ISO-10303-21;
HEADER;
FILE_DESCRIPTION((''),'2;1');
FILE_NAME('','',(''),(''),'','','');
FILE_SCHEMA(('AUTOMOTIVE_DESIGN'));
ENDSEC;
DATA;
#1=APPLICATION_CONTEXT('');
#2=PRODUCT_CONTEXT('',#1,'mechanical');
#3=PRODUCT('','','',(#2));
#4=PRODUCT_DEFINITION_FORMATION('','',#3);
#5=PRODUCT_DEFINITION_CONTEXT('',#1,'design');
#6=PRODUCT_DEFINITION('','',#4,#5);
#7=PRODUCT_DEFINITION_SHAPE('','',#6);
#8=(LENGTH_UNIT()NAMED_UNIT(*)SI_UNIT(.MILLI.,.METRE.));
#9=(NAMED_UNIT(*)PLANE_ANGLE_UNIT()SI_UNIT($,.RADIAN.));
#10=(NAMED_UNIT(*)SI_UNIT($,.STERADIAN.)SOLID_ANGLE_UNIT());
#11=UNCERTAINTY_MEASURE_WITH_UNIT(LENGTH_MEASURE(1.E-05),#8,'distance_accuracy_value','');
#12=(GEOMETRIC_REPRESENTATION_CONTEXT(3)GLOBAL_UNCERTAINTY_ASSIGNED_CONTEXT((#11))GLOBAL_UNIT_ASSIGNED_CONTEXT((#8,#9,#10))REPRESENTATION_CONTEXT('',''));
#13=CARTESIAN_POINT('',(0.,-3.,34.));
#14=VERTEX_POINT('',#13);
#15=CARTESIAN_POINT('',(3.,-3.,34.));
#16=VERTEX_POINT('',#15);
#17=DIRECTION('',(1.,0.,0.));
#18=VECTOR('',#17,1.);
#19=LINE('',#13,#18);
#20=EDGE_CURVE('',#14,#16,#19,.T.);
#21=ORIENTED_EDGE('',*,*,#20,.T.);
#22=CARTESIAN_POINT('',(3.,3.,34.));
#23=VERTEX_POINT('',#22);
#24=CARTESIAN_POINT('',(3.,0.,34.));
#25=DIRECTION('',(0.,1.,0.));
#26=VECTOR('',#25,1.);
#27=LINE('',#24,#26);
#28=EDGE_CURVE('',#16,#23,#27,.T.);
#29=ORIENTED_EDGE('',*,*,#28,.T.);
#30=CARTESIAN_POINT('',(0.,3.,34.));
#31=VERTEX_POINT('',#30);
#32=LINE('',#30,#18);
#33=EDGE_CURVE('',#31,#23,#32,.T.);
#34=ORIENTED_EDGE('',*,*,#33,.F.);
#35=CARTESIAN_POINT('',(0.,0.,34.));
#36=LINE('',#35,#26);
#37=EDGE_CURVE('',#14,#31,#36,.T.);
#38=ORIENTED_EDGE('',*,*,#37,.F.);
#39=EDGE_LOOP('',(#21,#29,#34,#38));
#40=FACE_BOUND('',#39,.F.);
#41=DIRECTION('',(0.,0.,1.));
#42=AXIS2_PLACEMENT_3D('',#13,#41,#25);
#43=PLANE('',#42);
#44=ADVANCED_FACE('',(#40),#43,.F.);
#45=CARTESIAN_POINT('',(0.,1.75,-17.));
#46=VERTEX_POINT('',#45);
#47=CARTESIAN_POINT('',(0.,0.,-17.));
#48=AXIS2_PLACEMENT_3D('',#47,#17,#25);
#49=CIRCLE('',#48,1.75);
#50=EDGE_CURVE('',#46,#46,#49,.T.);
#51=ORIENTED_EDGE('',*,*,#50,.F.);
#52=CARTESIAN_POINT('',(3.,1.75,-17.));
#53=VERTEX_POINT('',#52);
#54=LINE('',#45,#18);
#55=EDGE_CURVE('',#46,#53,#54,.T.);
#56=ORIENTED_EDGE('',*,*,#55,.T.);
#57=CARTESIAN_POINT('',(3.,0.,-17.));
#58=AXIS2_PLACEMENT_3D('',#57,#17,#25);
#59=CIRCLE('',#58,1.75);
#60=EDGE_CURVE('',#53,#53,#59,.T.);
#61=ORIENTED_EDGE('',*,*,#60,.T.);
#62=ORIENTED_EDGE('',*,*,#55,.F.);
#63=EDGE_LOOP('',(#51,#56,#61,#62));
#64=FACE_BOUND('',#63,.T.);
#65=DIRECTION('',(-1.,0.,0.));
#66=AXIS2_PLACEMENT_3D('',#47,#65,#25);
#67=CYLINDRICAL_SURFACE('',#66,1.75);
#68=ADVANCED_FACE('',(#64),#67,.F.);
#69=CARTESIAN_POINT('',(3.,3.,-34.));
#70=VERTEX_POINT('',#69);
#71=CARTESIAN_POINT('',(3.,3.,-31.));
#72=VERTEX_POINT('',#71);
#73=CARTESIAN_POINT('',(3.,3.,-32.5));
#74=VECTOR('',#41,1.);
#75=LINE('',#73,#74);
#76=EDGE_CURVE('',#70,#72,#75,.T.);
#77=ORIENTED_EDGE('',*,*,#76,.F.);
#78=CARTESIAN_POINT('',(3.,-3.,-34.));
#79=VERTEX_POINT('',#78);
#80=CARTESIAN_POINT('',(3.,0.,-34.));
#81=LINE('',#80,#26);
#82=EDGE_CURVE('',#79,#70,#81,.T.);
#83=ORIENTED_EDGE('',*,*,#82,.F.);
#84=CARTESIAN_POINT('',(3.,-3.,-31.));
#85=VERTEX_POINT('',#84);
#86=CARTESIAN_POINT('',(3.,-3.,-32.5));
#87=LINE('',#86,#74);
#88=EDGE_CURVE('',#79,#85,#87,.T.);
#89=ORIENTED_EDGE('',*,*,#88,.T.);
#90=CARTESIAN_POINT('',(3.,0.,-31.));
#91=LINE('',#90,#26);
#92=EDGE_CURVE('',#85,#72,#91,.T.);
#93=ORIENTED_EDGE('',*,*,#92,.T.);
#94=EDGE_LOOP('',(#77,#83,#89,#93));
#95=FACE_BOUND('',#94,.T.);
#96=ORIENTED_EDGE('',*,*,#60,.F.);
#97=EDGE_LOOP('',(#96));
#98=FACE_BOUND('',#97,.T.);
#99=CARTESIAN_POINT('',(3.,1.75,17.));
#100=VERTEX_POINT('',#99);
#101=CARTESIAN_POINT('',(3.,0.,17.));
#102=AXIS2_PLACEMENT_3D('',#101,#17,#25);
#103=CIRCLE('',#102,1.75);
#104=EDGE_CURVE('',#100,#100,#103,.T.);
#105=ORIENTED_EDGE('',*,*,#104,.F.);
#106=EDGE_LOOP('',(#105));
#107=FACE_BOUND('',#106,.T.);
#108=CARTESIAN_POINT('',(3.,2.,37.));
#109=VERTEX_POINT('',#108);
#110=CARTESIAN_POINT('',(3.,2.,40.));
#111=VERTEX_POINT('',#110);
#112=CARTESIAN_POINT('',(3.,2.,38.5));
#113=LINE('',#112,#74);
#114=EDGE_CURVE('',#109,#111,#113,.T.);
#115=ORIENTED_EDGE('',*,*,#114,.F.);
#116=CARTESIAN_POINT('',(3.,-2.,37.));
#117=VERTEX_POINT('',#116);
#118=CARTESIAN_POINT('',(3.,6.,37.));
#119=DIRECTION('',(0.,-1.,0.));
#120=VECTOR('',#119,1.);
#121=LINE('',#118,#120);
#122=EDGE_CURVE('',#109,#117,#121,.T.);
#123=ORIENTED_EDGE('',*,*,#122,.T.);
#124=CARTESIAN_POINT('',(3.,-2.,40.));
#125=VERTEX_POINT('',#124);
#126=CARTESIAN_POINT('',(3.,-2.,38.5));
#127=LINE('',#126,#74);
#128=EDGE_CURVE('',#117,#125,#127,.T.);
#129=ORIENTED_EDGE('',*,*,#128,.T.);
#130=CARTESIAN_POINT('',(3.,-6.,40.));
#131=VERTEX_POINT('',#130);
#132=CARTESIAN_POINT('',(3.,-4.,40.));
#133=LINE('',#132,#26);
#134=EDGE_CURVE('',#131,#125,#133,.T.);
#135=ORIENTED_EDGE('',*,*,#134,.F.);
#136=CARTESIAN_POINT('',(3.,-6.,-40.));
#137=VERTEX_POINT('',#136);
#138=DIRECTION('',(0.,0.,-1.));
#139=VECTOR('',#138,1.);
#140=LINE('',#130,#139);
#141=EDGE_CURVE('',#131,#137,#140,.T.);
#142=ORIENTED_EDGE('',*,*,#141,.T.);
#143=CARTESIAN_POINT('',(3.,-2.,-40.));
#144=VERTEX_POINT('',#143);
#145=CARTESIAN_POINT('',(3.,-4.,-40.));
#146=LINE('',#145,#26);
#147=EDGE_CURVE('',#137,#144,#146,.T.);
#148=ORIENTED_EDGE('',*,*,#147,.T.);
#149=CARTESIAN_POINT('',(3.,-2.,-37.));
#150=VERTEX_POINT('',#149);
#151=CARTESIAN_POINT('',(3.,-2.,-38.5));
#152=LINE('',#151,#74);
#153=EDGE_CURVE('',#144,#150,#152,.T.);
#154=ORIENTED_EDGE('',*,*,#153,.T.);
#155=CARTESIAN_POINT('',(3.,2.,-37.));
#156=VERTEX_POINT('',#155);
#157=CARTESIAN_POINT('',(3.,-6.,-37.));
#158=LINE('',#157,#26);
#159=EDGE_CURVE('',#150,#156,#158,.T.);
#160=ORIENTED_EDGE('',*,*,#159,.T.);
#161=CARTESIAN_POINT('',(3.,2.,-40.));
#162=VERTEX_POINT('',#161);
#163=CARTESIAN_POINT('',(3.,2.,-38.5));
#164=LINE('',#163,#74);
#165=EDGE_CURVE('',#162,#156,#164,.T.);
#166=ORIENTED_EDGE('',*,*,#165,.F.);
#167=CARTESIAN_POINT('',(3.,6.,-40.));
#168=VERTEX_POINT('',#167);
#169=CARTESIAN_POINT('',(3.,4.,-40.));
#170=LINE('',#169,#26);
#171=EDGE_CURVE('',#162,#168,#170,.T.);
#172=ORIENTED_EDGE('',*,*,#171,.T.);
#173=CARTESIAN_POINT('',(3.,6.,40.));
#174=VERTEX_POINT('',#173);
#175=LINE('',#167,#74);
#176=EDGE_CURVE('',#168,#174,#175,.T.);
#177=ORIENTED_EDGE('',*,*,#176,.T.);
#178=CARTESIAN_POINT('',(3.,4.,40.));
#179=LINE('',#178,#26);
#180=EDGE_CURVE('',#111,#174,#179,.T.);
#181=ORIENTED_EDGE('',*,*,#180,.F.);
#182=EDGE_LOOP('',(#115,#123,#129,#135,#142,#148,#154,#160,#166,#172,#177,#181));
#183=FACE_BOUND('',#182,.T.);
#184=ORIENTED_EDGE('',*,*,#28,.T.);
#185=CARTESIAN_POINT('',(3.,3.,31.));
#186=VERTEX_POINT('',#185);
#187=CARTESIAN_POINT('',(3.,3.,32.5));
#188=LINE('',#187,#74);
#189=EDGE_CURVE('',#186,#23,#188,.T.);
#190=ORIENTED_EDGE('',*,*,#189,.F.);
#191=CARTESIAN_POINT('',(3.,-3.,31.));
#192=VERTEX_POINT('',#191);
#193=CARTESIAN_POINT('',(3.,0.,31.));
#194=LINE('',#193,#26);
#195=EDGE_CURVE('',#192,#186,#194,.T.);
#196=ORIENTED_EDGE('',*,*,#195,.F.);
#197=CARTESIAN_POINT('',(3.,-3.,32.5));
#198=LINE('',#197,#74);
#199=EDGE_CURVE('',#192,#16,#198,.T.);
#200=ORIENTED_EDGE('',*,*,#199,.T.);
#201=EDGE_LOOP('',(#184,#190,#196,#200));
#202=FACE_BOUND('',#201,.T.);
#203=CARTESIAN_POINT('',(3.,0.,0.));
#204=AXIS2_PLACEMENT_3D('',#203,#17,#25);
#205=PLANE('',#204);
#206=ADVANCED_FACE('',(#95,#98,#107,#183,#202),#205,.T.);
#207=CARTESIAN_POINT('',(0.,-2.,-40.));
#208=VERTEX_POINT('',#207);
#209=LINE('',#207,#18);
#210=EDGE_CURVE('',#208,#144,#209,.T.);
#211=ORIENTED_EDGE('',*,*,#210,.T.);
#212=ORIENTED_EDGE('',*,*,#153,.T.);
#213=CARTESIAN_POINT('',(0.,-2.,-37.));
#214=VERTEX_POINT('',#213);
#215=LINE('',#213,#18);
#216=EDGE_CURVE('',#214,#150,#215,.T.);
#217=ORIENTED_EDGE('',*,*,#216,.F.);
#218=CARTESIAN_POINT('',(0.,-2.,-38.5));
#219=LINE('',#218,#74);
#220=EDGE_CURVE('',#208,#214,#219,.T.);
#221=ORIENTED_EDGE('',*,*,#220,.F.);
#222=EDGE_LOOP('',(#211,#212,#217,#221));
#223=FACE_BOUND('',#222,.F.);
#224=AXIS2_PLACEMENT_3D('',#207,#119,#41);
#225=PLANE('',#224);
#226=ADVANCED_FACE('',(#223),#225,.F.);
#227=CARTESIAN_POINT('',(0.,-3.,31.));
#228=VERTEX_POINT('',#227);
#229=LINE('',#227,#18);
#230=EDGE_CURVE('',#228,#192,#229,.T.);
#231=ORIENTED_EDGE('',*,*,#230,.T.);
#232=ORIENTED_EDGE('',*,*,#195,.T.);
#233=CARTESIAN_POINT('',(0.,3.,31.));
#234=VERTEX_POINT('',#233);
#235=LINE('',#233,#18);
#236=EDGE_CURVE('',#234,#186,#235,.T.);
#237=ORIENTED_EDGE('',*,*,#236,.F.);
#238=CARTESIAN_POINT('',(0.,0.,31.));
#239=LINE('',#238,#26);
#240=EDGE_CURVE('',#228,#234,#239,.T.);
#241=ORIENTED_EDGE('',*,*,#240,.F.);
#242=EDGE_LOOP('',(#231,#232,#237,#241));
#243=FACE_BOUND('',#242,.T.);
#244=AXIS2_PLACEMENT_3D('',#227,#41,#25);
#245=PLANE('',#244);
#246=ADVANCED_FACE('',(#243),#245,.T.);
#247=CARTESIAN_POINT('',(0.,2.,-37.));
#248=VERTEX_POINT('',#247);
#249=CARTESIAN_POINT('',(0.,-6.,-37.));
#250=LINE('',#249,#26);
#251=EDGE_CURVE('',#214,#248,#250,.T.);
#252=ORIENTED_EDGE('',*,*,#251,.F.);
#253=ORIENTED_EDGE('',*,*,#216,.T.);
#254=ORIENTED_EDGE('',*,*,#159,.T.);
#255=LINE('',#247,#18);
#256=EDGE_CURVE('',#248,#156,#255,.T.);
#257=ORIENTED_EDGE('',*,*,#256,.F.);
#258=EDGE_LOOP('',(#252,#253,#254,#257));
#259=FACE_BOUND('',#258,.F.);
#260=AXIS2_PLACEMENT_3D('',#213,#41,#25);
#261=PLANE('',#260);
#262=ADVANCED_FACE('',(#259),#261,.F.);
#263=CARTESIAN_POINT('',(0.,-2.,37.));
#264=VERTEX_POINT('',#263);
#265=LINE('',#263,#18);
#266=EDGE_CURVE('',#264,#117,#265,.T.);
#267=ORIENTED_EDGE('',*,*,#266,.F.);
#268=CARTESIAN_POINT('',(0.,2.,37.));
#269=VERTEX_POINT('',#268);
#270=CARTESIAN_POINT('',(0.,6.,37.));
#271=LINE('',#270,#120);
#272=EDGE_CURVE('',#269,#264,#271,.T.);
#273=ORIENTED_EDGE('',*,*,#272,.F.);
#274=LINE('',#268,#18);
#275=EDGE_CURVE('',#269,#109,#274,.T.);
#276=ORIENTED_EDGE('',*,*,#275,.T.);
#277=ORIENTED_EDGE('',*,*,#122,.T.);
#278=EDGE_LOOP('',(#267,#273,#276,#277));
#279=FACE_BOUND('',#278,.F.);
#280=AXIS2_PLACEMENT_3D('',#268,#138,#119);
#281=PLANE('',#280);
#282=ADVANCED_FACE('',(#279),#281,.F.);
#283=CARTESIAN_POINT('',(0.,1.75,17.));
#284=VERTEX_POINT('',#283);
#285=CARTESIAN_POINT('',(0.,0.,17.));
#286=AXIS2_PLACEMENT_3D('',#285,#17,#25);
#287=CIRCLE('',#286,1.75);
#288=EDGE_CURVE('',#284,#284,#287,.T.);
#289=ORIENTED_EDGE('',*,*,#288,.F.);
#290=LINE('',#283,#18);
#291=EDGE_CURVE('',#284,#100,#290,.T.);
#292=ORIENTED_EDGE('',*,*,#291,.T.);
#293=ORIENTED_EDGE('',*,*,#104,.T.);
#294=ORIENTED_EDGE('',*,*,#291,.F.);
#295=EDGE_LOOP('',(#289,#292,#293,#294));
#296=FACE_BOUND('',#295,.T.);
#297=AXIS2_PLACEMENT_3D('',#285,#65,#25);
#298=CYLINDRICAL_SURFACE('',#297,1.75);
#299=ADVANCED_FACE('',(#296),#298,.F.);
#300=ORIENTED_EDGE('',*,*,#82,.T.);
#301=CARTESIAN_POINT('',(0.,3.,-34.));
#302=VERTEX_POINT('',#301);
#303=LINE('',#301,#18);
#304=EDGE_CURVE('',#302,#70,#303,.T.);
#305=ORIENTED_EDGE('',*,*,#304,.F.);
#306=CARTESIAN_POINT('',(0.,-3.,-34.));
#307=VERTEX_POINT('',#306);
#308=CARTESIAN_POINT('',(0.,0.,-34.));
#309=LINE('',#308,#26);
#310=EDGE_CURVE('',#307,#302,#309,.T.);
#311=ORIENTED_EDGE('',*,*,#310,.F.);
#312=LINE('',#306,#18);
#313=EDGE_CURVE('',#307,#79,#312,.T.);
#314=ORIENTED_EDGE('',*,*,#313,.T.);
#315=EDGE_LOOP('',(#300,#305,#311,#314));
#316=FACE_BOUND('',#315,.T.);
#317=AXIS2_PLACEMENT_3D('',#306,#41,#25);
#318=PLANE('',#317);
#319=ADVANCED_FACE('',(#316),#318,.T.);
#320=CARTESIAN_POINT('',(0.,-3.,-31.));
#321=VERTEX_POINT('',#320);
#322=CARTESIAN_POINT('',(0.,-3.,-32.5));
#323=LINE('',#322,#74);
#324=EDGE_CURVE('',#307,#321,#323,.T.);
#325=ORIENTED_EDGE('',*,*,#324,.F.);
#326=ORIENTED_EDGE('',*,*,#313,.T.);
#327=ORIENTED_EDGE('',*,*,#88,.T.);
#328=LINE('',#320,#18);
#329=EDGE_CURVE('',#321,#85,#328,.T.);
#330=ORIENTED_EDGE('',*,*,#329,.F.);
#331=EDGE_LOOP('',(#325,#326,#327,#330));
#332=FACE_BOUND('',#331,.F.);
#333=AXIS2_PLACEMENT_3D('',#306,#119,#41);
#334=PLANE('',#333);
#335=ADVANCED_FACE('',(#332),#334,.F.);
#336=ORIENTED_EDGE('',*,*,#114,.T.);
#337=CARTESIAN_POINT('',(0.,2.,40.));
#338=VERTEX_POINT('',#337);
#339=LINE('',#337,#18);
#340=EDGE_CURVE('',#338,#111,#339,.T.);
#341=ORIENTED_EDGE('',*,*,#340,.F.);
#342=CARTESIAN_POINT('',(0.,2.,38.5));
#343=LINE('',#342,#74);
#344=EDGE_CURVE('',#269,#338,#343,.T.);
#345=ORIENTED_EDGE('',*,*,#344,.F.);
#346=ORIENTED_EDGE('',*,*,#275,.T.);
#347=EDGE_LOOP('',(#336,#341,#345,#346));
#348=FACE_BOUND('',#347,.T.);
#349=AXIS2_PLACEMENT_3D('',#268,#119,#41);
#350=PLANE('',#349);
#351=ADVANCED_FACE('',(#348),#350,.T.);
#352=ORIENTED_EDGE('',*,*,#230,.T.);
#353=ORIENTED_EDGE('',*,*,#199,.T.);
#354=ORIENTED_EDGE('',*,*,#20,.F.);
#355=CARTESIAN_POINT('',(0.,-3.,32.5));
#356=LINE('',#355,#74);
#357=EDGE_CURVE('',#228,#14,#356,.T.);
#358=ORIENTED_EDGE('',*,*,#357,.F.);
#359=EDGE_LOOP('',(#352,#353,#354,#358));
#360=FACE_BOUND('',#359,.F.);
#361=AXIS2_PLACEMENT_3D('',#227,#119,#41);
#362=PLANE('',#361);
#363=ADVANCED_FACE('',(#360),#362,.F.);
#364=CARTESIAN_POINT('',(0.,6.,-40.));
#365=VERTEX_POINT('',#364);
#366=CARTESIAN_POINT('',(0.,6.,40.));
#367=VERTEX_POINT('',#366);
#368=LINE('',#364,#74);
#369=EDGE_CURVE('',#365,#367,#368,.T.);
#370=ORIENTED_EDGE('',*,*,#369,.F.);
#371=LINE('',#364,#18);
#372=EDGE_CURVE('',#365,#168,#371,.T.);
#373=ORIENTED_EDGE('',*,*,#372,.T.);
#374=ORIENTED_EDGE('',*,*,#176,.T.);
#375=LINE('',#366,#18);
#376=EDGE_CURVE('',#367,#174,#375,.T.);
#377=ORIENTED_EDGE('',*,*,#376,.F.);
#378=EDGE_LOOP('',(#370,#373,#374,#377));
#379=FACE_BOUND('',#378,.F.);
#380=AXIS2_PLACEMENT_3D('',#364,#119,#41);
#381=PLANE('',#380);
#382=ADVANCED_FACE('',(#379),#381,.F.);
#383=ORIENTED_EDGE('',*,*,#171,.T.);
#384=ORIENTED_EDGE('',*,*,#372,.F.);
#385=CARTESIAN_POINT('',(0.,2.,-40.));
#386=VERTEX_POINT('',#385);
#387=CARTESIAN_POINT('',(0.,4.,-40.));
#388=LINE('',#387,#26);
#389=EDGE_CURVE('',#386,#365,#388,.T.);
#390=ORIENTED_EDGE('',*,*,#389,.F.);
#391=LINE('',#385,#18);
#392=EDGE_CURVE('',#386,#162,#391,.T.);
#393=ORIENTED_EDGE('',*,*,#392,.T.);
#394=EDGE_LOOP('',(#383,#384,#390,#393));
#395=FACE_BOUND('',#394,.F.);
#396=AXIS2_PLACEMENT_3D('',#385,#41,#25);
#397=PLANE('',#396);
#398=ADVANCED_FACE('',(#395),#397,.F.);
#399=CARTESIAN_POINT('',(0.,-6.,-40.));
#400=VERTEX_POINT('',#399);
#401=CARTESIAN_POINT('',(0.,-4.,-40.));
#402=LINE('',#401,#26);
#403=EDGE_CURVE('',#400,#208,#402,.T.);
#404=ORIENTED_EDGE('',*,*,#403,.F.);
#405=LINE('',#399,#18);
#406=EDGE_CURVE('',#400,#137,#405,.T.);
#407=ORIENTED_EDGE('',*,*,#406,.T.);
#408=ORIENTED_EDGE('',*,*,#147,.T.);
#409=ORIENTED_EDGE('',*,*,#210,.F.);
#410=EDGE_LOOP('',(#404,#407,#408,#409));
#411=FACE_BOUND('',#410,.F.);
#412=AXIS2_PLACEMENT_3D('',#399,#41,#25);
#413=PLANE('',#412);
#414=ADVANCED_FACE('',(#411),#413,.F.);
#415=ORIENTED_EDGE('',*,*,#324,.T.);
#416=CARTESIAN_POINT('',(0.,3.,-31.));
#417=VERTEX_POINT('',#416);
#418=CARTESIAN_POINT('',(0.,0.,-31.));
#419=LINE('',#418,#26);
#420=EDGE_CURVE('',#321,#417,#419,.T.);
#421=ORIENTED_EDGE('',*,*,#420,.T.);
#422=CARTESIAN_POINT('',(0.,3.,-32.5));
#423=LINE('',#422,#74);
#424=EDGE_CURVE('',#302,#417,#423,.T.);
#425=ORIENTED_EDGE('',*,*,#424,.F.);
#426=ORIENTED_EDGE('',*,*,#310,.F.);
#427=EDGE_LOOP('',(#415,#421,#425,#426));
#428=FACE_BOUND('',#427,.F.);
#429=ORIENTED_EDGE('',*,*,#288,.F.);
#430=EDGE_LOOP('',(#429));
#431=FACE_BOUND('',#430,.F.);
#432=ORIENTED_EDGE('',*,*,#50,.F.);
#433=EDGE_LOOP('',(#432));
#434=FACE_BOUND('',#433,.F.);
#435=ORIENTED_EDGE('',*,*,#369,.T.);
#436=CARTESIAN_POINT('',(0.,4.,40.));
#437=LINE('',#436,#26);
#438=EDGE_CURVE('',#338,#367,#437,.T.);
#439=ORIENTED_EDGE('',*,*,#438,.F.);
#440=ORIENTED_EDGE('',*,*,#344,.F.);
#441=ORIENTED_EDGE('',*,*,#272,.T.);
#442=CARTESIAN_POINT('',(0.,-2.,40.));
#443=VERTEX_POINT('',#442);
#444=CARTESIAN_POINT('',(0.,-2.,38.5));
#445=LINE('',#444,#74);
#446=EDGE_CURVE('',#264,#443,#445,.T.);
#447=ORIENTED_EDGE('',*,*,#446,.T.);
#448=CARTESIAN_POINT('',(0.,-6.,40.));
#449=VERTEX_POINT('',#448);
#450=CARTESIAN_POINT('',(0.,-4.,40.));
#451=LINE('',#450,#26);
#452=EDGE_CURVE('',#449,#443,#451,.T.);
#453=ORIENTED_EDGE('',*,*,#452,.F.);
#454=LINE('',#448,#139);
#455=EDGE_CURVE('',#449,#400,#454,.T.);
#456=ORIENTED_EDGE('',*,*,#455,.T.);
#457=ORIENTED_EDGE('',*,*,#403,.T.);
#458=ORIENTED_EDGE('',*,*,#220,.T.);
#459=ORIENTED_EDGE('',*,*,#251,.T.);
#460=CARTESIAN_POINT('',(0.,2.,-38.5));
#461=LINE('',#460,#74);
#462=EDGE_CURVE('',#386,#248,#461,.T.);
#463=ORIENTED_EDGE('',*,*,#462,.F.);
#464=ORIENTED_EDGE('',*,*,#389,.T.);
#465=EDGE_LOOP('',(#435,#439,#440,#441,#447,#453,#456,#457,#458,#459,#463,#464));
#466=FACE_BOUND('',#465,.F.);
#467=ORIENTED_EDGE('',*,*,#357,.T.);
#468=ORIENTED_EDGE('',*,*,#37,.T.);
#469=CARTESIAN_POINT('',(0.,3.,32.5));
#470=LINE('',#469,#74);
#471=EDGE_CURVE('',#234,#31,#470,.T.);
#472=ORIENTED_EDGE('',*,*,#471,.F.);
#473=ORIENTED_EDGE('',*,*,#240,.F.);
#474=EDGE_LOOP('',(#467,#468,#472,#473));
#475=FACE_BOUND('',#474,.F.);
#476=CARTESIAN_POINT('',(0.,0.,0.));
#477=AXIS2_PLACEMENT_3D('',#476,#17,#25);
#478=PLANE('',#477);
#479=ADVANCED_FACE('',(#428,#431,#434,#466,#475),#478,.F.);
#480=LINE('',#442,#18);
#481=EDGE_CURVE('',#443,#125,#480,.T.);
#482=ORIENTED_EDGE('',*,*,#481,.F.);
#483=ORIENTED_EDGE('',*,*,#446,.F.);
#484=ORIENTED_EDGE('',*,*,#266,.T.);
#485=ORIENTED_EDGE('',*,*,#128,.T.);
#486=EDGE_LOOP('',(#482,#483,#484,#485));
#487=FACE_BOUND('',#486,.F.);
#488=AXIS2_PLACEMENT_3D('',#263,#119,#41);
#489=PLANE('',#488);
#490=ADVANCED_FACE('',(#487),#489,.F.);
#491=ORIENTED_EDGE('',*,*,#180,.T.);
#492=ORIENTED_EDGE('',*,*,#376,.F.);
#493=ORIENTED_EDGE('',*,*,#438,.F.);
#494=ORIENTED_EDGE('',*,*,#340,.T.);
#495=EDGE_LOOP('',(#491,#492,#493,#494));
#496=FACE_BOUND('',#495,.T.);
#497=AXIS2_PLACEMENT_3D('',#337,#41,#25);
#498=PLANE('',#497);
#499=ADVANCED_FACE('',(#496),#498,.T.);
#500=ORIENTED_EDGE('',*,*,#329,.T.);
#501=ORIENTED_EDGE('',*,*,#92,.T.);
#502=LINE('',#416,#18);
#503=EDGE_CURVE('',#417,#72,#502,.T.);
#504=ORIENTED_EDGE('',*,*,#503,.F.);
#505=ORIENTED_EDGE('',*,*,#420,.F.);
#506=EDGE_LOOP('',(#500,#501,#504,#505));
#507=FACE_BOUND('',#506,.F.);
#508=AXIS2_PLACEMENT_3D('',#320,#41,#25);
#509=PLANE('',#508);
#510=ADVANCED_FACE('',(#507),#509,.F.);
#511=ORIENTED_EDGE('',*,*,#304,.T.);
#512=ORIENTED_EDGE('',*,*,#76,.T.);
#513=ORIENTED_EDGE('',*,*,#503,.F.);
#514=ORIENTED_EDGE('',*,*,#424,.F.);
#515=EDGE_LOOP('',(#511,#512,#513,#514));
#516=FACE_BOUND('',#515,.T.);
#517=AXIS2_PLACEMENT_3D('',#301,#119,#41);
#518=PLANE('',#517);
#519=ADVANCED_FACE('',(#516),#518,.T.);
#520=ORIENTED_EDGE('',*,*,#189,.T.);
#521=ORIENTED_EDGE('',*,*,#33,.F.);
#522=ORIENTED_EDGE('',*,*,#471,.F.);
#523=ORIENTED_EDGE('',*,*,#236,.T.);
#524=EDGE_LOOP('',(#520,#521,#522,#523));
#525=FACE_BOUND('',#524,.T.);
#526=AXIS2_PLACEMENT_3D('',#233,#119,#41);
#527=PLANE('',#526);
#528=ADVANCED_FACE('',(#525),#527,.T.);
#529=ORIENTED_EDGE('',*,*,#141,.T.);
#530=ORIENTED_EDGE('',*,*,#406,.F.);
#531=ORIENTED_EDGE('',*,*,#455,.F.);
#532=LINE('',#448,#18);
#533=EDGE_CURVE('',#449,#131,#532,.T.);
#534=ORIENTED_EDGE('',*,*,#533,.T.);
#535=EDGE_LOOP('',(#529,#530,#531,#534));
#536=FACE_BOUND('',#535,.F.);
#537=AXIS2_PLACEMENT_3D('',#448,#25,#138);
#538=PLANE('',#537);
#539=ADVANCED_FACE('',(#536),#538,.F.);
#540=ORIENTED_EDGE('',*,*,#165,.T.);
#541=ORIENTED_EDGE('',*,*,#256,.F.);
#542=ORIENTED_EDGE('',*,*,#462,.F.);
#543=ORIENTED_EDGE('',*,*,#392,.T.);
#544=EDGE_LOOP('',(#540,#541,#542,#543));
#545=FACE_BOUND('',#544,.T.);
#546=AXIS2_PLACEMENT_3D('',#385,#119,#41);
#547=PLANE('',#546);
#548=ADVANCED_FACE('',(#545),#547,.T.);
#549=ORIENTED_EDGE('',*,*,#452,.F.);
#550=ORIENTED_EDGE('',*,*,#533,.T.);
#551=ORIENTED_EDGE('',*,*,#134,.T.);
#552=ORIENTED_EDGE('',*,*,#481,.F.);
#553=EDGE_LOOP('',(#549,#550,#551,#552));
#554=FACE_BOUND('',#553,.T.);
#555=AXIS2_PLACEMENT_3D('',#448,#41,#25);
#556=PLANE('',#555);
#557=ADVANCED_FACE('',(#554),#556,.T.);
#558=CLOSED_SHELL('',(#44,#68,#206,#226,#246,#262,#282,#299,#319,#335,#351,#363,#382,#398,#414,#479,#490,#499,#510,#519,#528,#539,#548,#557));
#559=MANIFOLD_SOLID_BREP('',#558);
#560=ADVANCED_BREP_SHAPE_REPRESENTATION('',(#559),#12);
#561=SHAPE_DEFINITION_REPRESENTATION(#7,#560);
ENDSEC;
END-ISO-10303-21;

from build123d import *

# Parameters (mm, degrees)
F0_W     = 6
F0_H     = 3
F0_R     = 1.75
F0_W_2   = 4
F1_DEPTH = 3


with BuildPart() as f1:
    # F0 (on Right) → F1 (new body)
    with BuildSketch(Plane.YZ):
        Polygon((6, -37), (6, 37), (2, 37), (-2, 37), (-6, 37), (-6, -37), (-2, -37), (2, -37), align=None)
        with Locations((0, -32.5)):
            Rectangle(F0_W, F0_H, mode=Mode.SUBTRACT)
        with Locations((0, -17)):
            Circle(F0_R, mode=Mode.SUBTRACT)
        with Locations((0, 17)):
            Circle(F0_R, mode=Mode.SUBTRACT)
        with Locations((0, 32.5)):
            Rectangle(F0_W, F0_H, mode=Mode.SUBTRACT)
        with Locations((4, 38.5)):
            Rectangle(F0_W_2, F0_H)
        with Locations((4, -38.5)):
            Rectangle(F0_W_2, F0_H)
        with Locations((-4, 38.5)):
            Rectangle(F0_W_2, F0_H)
        with Locations((-4, -38.5)):
            Rectangle(F0_W_2, F0_H)
    extrude(amount=F1_DEPTH)


solid = f1.part
